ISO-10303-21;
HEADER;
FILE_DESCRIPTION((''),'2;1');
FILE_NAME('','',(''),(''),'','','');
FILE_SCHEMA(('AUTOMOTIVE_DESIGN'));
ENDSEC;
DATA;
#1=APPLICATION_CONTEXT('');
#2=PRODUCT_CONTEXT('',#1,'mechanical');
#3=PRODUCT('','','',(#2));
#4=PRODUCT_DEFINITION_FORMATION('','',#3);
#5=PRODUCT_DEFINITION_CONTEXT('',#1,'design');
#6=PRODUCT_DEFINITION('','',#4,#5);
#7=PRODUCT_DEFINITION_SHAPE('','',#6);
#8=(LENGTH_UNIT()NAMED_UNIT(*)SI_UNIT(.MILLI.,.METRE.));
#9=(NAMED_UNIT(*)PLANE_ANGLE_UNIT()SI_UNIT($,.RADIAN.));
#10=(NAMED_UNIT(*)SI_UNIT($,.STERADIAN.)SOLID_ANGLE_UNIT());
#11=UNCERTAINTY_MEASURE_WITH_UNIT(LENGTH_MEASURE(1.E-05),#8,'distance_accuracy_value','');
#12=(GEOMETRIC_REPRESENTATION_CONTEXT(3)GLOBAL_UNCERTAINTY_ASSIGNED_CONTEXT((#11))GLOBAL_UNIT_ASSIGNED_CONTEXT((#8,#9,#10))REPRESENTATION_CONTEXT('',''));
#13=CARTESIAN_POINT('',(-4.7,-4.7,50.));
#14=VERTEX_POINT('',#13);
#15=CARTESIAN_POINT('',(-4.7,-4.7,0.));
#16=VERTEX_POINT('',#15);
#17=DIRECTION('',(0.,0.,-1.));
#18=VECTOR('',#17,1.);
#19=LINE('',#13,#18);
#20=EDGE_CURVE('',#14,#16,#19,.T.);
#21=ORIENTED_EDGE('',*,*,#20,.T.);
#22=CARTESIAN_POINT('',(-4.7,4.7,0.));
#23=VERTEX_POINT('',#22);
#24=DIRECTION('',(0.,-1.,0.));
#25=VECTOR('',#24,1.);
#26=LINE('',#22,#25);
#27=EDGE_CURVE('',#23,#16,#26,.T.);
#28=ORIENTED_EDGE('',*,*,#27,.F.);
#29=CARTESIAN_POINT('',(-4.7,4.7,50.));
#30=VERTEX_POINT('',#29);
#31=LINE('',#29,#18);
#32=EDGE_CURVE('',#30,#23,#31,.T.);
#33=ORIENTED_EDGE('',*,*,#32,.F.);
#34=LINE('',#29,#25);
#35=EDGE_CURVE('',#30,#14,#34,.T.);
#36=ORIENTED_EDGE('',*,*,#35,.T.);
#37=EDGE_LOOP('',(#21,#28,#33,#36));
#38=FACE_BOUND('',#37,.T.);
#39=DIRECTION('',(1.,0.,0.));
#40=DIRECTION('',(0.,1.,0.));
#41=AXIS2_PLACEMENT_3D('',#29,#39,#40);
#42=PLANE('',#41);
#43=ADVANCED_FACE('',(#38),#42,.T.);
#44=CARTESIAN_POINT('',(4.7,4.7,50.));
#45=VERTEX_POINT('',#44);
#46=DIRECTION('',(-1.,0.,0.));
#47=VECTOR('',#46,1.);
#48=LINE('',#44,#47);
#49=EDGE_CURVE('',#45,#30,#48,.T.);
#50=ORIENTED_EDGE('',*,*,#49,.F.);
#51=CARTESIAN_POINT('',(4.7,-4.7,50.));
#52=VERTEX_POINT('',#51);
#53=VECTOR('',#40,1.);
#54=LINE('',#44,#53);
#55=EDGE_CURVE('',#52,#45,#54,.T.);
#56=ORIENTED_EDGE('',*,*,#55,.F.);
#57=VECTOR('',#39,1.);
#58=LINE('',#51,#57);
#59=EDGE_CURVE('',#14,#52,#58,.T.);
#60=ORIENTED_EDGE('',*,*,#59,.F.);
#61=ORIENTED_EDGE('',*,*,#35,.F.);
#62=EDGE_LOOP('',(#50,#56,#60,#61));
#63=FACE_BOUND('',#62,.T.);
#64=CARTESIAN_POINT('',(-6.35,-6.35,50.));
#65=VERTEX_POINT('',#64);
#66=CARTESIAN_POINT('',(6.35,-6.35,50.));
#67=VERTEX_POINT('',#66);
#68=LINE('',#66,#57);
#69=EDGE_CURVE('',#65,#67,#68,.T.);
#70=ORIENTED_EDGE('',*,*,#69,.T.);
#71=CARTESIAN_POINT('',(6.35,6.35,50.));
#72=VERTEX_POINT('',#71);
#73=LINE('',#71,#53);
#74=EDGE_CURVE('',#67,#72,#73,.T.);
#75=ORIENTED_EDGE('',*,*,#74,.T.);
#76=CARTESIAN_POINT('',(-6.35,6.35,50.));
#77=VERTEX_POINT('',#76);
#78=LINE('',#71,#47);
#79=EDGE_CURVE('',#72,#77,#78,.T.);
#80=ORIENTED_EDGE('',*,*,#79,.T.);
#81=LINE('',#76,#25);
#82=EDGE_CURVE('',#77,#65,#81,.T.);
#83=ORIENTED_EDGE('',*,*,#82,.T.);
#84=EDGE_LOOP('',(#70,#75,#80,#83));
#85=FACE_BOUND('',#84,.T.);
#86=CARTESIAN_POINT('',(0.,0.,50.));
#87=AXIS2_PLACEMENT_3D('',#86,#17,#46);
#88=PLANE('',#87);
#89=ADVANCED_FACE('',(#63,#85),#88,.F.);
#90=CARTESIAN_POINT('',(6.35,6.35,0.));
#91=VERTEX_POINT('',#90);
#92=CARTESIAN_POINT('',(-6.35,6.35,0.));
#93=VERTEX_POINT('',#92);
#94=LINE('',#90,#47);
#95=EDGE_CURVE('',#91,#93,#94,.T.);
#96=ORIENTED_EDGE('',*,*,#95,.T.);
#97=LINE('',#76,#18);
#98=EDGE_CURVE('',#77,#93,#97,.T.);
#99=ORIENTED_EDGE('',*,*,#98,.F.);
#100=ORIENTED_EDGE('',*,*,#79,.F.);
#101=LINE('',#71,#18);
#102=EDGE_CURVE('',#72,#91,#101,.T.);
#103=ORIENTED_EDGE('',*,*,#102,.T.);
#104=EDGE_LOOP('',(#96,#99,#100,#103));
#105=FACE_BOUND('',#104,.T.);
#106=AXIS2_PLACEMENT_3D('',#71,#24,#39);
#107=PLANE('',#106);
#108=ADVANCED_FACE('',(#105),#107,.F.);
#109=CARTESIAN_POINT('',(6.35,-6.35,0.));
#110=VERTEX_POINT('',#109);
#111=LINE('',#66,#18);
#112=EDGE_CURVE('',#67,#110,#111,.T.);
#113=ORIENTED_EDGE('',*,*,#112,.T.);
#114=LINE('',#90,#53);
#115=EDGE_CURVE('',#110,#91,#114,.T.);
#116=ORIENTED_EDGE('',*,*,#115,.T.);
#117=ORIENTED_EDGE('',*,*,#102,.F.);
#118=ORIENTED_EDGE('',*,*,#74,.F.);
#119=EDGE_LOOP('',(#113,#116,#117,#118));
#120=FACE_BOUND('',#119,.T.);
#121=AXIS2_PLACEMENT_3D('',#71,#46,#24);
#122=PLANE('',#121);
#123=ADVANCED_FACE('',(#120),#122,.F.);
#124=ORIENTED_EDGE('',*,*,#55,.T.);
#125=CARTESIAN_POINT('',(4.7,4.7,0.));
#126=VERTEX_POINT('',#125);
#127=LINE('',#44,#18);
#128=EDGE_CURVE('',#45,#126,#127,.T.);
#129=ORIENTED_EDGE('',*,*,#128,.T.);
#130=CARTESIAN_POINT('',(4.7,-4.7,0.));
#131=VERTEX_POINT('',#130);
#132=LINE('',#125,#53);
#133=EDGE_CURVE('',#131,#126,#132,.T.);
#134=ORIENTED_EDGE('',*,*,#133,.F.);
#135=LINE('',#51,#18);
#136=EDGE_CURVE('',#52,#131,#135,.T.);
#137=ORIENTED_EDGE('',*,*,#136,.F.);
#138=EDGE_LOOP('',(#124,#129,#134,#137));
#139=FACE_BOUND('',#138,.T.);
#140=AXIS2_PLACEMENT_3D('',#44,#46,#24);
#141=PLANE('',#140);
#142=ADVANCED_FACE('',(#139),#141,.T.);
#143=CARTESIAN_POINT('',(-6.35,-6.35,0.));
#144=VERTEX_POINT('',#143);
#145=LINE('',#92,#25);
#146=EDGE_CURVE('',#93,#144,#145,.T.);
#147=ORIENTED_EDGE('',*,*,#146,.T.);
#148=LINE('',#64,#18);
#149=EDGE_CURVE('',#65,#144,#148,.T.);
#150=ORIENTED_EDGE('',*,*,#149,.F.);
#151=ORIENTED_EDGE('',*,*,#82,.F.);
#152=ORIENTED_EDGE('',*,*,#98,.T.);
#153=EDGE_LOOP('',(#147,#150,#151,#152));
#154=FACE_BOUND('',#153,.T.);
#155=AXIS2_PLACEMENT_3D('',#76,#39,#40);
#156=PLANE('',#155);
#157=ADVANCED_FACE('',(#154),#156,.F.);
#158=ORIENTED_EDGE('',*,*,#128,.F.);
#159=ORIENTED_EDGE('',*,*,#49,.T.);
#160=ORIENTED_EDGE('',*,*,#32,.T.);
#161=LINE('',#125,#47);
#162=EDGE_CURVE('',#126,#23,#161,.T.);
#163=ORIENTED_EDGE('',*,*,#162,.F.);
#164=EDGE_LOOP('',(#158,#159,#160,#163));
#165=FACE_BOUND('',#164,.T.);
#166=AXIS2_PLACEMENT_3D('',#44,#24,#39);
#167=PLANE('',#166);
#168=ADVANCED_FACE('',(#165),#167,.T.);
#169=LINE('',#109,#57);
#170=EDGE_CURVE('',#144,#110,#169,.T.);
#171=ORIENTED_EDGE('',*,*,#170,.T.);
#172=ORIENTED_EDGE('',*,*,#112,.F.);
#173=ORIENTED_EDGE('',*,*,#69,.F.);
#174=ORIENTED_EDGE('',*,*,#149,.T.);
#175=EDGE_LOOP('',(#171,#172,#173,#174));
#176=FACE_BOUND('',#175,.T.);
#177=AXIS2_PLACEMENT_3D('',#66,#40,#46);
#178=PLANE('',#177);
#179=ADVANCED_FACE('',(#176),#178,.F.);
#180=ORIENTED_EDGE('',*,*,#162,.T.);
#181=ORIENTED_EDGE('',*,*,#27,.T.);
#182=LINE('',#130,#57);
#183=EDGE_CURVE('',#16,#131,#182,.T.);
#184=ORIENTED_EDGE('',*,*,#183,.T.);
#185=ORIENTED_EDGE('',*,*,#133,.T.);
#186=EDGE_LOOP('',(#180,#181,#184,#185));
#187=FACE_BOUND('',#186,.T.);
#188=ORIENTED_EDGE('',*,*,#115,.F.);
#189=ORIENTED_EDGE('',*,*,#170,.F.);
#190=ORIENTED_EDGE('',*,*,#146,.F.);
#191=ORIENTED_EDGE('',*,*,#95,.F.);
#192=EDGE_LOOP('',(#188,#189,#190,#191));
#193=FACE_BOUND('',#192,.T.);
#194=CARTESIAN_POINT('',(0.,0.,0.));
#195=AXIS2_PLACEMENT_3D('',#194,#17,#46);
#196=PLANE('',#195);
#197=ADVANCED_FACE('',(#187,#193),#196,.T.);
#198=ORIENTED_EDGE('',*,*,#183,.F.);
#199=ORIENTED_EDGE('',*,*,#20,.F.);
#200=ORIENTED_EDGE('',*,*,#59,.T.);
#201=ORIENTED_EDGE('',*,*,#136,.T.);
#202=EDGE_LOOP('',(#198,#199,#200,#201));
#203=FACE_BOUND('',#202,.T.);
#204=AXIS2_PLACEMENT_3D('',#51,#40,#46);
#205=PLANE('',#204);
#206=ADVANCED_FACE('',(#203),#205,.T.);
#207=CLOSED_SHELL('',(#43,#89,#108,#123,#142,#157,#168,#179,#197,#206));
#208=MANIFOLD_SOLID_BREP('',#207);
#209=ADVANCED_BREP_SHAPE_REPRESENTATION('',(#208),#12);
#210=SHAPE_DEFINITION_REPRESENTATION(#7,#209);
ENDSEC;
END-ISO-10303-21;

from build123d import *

# Parameters (mm, degrees)
SKETCH1_W           = 12.7
SKETCH1_H           = 12.7
SKETCH1_W_2         = 9.4
SKETCH1_H_2         = 9.4
BOSS_EXTRUDE1_DEPTH = 50


with BuildPart() as part:
    # Sketch1 → Boss-Extrude1 (new body)
    with BuildSketch(Plane.XY):
        Rectangle(SKETCH1_W, SKETCH1_H)
        Rectangle(SKETCH1_W_2, SKETCH1_H_2, mode=Mode.SUBTRACT)
    extrude(amount=BOSS_EXTRUDE1_DEPTH)


solid = part.part
